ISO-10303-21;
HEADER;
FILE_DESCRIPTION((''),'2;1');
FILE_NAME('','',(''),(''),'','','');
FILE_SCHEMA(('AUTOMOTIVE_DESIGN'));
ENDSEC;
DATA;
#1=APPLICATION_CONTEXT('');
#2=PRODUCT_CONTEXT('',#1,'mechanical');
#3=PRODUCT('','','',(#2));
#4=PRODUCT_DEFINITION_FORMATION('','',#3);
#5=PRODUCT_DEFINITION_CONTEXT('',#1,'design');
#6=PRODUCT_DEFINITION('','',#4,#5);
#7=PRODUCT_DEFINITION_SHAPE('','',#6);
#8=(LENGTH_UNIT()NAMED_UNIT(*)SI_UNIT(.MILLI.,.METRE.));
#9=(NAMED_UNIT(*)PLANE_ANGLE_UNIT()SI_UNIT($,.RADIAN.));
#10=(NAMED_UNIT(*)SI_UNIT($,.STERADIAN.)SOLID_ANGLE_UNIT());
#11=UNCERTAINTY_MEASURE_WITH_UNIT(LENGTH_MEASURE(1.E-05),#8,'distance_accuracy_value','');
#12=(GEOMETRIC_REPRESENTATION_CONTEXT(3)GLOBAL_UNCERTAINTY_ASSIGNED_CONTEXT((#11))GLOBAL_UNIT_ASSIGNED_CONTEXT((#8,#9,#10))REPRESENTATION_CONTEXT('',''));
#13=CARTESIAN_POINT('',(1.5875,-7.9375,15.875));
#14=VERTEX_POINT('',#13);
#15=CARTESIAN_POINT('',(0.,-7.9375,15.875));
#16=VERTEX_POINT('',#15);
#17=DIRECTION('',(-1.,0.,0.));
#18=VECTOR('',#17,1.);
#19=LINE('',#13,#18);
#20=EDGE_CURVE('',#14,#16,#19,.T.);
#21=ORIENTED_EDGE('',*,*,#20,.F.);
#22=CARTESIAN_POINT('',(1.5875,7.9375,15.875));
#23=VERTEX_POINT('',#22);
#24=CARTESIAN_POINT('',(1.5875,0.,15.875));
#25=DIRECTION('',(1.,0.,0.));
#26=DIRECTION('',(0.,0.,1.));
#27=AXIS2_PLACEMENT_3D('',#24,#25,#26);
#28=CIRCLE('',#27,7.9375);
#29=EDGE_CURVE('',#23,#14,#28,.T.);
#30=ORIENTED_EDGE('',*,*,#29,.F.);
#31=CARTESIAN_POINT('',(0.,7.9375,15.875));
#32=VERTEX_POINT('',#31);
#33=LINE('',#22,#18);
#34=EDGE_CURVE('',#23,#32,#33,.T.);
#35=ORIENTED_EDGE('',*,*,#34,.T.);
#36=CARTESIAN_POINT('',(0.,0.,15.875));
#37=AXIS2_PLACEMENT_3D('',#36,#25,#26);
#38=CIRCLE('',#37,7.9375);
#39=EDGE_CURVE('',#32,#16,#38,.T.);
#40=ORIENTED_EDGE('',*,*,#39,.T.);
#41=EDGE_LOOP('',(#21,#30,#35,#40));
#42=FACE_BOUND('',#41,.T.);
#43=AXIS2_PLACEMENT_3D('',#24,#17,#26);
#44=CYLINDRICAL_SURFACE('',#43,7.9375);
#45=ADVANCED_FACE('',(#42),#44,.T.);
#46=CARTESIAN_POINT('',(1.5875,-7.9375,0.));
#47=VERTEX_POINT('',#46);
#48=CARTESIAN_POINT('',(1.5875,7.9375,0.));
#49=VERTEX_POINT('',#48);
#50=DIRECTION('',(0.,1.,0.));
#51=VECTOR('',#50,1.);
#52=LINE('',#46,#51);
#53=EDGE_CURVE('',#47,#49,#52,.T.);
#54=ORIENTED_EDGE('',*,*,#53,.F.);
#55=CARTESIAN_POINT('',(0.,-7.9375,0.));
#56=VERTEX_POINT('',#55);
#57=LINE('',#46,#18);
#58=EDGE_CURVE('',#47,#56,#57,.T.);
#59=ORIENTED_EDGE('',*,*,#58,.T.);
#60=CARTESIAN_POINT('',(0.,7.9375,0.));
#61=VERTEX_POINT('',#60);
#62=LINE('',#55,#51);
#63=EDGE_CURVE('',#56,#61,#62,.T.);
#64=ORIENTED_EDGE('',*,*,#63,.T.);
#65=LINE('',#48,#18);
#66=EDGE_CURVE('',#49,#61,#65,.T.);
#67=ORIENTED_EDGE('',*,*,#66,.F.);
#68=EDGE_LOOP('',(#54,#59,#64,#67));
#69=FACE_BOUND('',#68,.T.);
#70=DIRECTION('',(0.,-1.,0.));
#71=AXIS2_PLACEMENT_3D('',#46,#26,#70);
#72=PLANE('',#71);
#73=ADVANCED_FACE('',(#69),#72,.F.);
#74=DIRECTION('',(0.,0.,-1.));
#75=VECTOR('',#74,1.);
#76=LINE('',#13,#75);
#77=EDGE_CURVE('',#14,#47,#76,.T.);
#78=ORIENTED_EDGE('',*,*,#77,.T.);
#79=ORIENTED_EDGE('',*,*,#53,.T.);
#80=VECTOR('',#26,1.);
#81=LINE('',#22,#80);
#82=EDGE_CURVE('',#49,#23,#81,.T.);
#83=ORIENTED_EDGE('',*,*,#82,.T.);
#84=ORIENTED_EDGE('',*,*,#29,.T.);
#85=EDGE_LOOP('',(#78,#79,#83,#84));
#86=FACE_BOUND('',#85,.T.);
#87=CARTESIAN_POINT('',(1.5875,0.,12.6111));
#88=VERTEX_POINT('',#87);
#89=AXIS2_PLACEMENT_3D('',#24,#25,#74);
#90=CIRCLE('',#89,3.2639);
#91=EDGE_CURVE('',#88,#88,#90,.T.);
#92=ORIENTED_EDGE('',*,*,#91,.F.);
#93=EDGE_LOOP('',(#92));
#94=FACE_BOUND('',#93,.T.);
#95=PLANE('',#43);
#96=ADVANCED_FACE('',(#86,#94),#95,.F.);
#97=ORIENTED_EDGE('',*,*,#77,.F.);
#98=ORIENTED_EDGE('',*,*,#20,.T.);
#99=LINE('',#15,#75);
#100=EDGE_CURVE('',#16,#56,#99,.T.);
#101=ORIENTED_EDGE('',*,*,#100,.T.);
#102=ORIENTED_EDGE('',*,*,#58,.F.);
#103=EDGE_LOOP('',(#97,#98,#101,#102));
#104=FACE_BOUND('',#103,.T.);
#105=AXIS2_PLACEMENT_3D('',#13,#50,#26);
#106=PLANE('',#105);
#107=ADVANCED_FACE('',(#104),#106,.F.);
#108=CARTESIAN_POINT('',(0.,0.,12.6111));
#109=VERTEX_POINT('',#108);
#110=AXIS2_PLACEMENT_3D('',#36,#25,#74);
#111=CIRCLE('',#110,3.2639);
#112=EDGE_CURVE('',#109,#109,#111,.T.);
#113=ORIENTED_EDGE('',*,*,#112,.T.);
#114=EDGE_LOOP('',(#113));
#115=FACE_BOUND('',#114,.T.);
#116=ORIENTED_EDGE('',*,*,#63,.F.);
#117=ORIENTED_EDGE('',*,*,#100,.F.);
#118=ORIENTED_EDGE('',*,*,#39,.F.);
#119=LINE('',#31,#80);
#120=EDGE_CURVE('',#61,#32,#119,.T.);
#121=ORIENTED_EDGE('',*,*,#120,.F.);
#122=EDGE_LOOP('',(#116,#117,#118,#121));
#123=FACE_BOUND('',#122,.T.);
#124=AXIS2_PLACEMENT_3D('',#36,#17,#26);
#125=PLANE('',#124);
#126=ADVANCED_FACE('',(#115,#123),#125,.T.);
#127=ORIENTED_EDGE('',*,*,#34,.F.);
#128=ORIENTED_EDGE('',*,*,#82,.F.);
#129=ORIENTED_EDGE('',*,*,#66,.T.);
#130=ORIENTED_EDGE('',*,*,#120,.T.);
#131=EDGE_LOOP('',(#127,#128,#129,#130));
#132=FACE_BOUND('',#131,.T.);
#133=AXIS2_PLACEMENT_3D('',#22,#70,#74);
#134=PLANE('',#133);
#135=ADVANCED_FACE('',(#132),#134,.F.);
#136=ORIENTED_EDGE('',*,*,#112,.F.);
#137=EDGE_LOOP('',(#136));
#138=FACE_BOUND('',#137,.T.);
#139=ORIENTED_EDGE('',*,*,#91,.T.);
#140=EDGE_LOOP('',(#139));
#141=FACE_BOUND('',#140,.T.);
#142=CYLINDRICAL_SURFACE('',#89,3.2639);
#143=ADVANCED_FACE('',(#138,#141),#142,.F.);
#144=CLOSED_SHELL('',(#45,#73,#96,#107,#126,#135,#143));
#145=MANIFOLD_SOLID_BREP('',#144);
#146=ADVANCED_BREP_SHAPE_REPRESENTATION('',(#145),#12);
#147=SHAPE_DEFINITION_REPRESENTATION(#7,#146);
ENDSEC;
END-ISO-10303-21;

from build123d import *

# Parameters (mm, degrees)
BOSS_EXTRUDE1_DEPTH     = 1.5875
F_1_4_CLEARANCE_HOLE1_D = 6.5278


with BuildPart() as part:
    # Sketch1 → Boss-Extrude1 (new body)
    with BuildSketch(Plane(origin=(0, 0, 0), x_dir=(0, 0, -1), z_dir=(1, 0, 0))):
        with BuildLine():
            Line((0, -7.9375), (0, 7.9375))
            Line((0, 7.9375), (-15.875, 7.9375))
            ThreePointArc((-15.875, 7.9375), (-23.8125, 0), (-15.875, -7.9375))
            Line((-15.875, -7.9375), (0, -7.9375))
        make_face()
    extrude(amount=BOSS_EXTRUDE1_DEPTH)

    # 1/4 Clearance Hole1 (through all)
    with Locations(Plane(origin=(1.5875, 0, 0), x_dir=(0, 0, -1), z_dir=(1, 0, 0))):
        with Locations((-15.875, 0)):
            Hole(F_1_4_CLEARANCE_HOLE1_D / 2)


solid = part.part
